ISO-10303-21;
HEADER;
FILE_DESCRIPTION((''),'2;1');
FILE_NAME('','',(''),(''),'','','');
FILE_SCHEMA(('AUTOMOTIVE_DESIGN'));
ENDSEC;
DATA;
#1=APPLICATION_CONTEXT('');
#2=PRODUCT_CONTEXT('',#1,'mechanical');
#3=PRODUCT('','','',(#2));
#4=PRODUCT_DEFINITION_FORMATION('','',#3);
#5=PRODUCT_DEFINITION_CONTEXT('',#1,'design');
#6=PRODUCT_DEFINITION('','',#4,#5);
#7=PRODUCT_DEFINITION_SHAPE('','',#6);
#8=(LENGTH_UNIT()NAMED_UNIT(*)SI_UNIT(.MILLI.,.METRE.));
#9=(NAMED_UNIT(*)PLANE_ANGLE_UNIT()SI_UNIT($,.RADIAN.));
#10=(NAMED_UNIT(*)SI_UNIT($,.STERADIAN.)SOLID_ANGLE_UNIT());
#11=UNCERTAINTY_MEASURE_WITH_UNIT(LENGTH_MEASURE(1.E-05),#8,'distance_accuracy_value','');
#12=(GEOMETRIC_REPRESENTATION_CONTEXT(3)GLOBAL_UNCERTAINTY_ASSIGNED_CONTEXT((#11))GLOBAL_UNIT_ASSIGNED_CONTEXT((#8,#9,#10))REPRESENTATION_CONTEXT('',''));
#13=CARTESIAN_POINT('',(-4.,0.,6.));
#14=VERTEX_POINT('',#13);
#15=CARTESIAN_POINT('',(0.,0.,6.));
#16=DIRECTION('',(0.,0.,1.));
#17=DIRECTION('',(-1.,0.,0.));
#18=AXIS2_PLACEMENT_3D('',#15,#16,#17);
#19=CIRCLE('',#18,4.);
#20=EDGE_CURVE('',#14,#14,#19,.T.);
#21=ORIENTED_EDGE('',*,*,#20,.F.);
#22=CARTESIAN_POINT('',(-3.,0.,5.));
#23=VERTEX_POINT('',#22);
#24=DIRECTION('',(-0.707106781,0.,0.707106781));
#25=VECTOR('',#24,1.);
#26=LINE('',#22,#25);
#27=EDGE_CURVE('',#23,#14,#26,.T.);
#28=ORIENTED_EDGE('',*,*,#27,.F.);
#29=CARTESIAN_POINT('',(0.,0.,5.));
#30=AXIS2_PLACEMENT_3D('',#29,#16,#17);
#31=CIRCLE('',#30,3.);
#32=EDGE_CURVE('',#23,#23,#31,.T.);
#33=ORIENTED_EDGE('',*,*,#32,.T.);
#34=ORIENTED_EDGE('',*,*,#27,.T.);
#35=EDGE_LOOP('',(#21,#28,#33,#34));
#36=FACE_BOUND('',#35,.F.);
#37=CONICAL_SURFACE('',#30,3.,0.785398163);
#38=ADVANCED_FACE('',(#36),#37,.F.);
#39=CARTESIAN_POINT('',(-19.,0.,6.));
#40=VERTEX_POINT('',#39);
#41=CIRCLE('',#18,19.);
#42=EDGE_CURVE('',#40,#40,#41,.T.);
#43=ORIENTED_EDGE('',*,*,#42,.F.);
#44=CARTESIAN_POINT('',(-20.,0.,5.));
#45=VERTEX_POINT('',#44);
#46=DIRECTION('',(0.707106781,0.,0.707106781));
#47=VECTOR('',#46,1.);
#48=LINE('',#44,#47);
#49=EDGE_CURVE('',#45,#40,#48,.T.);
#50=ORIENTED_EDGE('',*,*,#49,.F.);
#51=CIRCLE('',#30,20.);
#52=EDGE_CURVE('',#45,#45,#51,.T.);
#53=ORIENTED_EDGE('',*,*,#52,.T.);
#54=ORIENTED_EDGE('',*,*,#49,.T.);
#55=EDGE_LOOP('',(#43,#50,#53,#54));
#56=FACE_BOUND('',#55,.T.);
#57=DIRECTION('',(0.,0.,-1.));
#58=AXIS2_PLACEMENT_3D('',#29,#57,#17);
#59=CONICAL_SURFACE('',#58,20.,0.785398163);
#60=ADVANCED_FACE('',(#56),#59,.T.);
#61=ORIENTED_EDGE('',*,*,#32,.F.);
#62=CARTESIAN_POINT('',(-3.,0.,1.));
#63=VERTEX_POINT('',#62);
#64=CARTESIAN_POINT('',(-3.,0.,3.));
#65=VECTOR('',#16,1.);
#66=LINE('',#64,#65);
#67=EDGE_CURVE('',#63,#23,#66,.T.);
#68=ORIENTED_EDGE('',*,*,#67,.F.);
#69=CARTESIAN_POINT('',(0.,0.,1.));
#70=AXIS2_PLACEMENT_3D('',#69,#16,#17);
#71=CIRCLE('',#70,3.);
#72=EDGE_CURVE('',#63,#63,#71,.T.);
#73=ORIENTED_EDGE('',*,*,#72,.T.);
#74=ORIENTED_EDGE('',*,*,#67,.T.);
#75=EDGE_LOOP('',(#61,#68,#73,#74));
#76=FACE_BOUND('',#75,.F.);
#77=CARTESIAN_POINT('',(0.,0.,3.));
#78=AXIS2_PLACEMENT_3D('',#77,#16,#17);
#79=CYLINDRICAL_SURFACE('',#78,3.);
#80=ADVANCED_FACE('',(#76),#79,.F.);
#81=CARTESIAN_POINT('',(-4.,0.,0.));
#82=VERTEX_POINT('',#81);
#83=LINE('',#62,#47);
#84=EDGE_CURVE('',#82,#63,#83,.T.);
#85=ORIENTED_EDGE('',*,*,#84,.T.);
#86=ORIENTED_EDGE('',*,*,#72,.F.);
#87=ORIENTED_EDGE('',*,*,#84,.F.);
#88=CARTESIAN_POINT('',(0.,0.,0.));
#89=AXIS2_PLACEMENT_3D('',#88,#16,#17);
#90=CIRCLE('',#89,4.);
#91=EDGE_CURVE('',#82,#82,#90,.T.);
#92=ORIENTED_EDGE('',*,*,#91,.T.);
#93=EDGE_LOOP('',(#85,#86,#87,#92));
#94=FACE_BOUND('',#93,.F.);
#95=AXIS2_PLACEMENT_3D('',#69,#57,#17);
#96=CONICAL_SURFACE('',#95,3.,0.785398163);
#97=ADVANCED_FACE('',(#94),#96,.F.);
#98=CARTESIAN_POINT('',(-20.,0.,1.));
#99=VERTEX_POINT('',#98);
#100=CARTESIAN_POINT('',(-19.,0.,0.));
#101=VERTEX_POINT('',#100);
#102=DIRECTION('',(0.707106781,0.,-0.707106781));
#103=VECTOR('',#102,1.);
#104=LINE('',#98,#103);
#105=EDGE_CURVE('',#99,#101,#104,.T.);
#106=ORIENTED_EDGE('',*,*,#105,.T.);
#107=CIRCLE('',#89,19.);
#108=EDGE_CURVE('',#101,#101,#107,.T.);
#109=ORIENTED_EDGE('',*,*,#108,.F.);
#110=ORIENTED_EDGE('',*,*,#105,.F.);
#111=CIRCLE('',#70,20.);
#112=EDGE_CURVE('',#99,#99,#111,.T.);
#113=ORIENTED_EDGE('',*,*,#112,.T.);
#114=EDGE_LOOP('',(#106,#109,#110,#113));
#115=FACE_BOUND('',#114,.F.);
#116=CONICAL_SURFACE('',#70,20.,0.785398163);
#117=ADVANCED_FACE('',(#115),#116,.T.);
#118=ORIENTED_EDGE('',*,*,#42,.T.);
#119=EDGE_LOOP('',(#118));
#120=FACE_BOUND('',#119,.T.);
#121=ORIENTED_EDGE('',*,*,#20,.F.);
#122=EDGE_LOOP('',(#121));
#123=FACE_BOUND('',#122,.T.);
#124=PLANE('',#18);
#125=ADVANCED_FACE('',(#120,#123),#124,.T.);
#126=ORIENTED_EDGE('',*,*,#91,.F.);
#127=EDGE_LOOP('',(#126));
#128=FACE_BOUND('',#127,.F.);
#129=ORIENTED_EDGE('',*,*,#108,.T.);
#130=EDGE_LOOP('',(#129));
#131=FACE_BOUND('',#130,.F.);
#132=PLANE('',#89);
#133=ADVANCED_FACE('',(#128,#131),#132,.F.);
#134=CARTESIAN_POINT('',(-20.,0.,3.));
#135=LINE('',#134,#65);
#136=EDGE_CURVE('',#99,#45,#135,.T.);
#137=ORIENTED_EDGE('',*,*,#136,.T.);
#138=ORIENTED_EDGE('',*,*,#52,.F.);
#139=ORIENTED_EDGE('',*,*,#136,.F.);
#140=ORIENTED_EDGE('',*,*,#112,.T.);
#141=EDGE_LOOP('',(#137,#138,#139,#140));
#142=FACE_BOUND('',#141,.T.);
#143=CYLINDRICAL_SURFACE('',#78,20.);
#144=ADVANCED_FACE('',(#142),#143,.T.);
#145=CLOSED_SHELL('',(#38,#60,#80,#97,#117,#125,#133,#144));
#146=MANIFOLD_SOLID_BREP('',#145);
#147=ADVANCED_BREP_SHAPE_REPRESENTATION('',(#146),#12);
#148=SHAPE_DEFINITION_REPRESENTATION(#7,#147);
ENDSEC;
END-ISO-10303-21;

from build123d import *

# Parameters (mm, degrees)
F0_W    = 17
F0_H    = 6
F2_SIZE = 1


with BuildPart() as f1:
    # F0 (on Front) → F1 (revolve)
    with BuildSketch(Plane.XZ):
        with Locations((-11.5, 3)):
            Rectangle(F0_W, F0_H)
    revolve(axis=Axis((0, 0, 4.781917), (0, 0, 1)))

    # F2
    f2_edges = [f1.edges().sort_by_distance(p)[0] for p in [
        (20, 0, 6),
        (20, 0, 0),
        (3, 0, 6),
        (3, 0, 0),
    ]]
    chamfer(f2_edges, length=F2_SIZE)


solid = f1.part
